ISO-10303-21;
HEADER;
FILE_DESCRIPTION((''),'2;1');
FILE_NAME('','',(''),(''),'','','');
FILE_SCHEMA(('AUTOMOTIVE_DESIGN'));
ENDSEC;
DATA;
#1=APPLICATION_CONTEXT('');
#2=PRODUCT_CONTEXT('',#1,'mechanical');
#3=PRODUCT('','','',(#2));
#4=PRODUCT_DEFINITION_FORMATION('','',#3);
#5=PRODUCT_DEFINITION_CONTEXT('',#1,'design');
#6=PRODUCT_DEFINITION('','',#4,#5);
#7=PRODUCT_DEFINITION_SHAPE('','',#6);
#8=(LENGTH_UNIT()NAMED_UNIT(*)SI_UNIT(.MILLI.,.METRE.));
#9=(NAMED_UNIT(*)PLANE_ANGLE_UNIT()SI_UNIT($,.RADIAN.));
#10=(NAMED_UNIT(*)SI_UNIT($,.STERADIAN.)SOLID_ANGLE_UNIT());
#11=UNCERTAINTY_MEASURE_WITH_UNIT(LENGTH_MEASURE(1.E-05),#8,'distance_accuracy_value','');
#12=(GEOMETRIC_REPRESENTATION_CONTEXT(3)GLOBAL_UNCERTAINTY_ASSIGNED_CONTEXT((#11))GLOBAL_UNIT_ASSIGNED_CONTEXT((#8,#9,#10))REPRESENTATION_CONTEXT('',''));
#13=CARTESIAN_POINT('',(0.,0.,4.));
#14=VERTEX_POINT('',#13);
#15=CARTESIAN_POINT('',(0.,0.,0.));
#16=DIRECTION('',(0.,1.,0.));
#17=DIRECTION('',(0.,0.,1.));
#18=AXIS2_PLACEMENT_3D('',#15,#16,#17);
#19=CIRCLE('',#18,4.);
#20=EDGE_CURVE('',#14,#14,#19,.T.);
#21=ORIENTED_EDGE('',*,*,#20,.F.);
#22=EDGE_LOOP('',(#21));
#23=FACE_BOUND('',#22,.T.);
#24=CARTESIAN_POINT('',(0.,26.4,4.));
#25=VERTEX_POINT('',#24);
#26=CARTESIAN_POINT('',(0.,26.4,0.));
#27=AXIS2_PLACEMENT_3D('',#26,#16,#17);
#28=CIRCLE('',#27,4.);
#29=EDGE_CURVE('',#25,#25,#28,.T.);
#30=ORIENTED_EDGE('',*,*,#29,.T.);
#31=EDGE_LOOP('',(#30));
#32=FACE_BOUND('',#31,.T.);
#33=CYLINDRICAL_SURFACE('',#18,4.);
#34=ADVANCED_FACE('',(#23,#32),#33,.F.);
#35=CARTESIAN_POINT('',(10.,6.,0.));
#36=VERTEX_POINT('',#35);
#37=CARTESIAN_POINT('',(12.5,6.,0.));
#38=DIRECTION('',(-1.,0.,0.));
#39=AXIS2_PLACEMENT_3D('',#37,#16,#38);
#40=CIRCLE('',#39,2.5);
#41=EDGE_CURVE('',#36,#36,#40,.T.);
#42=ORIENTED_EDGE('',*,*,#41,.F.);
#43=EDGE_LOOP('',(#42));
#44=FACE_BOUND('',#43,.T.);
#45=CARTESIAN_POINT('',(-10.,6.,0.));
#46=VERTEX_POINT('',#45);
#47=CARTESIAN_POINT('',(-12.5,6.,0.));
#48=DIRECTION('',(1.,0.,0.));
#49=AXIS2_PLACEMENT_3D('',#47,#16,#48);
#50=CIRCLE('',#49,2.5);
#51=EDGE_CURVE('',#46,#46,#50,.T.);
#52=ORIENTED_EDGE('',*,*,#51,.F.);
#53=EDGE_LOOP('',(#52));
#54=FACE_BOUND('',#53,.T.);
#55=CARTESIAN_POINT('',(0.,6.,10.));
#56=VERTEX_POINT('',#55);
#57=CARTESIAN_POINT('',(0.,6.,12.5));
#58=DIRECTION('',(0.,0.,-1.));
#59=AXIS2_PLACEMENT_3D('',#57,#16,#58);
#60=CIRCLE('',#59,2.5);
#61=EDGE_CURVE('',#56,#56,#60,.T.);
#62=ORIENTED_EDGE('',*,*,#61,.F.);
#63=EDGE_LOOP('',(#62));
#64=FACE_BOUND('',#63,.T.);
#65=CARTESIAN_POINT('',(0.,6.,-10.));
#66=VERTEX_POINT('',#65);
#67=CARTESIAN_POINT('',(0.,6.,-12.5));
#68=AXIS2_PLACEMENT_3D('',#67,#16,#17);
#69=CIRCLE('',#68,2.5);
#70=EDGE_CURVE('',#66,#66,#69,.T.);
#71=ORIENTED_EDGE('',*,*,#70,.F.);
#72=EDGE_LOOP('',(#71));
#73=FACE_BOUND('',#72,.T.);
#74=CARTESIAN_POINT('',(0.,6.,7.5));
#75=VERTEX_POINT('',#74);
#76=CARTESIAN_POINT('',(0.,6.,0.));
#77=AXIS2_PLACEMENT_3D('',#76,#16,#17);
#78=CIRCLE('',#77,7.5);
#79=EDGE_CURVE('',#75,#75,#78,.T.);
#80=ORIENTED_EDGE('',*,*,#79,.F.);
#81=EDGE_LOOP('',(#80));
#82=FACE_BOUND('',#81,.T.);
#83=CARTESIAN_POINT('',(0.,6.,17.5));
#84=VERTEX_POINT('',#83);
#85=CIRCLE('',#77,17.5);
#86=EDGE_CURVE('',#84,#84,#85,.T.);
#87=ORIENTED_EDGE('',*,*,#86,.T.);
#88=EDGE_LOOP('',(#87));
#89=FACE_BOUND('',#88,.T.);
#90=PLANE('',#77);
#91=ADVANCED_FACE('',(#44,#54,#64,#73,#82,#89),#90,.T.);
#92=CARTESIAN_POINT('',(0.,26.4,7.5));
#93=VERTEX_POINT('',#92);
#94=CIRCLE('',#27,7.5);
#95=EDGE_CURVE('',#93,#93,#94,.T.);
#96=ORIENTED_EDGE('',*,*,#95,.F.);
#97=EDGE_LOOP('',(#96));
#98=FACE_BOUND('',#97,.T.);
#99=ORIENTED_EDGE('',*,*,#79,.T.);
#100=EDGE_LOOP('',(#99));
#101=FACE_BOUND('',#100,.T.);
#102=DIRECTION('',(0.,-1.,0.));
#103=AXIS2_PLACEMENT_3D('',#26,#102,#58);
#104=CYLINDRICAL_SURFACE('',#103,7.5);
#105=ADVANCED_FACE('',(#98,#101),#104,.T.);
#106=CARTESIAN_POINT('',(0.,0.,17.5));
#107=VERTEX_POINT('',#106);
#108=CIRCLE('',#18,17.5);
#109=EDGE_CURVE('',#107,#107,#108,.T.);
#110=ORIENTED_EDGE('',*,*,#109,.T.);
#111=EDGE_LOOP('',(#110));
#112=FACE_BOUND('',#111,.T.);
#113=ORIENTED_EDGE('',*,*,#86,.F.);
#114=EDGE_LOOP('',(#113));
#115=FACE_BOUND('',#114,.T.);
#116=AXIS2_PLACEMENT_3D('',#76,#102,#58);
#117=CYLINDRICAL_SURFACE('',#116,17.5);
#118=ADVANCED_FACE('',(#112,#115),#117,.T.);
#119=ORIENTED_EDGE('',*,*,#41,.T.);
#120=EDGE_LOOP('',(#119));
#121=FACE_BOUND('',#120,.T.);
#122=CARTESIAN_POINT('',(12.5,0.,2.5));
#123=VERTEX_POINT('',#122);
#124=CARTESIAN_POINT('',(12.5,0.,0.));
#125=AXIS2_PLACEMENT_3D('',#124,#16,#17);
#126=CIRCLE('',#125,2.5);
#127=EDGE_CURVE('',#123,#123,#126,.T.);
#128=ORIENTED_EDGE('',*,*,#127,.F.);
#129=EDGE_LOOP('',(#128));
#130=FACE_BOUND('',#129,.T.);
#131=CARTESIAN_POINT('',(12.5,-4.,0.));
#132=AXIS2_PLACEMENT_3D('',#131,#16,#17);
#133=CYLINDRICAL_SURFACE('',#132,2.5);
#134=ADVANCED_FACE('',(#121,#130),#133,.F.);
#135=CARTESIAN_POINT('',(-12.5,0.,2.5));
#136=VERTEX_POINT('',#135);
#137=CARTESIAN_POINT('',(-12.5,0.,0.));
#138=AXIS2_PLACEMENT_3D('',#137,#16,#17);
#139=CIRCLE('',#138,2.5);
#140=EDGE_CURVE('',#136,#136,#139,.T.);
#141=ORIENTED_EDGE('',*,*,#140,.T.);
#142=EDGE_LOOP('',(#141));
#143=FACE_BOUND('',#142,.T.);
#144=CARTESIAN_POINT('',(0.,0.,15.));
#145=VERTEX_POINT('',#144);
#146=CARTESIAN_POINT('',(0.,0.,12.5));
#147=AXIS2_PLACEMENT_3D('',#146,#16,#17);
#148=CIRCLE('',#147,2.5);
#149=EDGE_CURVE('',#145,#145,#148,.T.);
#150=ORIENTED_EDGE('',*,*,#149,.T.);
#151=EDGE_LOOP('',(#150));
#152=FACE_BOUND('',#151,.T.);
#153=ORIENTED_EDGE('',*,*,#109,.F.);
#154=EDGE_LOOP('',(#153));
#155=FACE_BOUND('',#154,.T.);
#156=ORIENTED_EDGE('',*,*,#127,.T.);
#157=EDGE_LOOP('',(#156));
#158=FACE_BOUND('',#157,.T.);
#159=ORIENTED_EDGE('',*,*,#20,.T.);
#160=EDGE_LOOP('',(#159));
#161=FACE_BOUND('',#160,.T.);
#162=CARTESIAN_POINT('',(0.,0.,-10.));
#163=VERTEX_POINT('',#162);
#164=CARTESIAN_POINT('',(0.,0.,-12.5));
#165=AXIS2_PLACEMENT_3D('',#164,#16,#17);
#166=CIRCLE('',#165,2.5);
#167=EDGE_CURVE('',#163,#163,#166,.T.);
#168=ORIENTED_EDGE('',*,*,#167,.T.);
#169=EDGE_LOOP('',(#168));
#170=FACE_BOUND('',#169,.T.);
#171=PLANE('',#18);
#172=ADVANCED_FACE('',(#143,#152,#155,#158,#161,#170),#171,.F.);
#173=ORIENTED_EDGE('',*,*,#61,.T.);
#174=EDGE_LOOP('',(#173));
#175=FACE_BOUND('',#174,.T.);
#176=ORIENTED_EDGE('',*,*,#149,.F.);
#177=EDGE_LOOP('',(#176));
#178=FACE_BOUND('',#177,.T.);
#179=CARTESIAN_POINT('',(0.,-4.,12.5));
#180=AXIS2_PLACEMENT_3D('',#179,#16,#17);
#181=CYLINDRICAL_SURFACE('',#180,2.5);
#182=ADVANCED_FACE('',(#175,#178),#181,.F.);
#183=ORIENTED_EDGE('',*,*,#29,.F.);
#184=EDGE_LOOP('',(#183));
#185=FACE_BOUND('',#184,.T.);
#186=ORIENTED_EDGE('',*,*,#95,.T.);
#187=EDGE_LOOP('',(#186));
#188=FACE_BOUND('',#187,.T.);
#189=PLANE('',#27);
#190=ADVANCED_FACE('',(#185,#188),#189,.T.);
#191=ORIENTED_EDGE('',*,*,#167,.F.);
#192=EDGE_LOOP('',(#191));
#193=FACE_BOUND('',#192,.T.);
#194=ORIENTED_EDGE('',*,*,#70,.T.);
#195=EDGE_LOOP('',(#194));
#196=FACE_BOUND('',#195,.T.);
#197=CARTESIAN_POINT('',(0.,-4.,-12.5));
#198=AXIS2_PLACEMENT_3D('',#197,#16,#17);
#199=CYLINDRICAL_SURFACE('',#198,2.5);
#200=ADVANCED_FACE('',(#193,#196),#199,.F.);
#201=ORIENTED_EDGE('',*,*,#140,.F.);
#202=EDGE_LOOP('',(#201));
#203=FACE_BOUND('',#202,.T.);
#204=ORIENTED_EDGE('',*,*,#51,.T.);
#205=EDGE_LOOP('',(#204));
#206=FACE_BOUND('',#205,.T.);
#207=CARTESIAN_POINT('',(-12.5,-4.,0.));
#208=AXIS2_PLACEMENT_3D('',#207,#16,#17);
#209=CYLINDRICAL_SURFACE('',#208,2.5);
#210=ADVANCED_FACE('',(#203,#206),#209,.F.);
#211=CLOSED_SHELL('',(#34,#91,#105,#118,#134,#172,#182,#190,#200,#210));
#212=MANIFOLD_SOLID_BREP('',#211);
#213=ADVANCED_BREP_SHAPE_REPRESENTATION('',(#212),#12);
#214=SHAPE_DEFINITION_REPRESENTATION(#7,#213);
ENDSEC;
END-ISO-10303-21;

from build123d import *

# Parameters (mm, degrees)
SKETCH_1_R               = 17.5
EXTRUDE_1_DEPTH          = 6
SKETCH_3_R               = 7.5
EXTRUDE_2_DEPTH          = 20.4
SKETCH_4_R               = 4
CUT_EXTRUDE_1_DEPTH      = 37.186461557
SKETCH_5_R               = 2.5
CUT_EXTRUDE_2_DEPTH      = 10
PATTERN_CIRCULAR_1_COUNT = 4


with BuildPart() as part:
    # 草图1 → 凸台-拉伸1 (new body)
    with BuildSketch(Plane(origin=(0, 0, 0), x_dir=(1, 0, 0), z_dir=(0, 1, 0))):
        with Locations(Location((0, 0, 0), (0, 0, 270))):
            Circle(SKETCH_1_R)
    extrude(amount=EXTRUDE_1_DEPTH)

    # 草图3 → 凸台-拉伸2 (add)
    with BuildSketch(Plane(origin=(0, 6, 0), x_dir=(1, 0, 0), z_dir=(0, 1, 0))):
        with Locations(Location((0, 0, 0), (0, 0, 270))):
            Circle(SKETCH_3_R)
    extrude(amount=EXTRUDE_2_DEPTH)

    # 草图4 → 切除-拉伸1 (cut, through all)
    with BuildSketch(Plane(origin=(0, 26.4, 0), x_dir=(1, 0, 0), z_dir=(0, 1, 0))):
        with Locations(Location((0, 0, 0), (0, 0, 270))):
            Circle(SKETCH_4_R)
    extrude(amount=-CUT_EXTRUDE_1_DEPTH, mode=Mode.SUBTRACT)

    # 草图5 → 切除-拉伸2 (cut)
    with BuildSketch(Plane(origin=(0, 6, 0), x_dir=(1, 0, 0), z_dir=(0, 1, 0))):
        with Locations(Location((0, 12.5, 0), (0, 0, 270))):
            Circle(SKETCH_5_R)
    cut_extrude_2 = extrude(amount=-CUT_EXTRUDE_2_DEPTH, mode=Mode.SUBTRACT)

    # 阵列(圆周)1: 切除-拉伸2 ×4 about axis
    pattern_circular_1_axis = Axis((0, 0, 0), (0, 1, 0))
    for i in range(1, PATTERN_CIRCULAR_1_COUNT):
        add(cut_extrude_2.rotate(pattern_circular_1_axis, i * 360 / PATTERN_CIRCULAR_1_COUNT), mode=Mode.SUBTRACT)


solid = part.part
